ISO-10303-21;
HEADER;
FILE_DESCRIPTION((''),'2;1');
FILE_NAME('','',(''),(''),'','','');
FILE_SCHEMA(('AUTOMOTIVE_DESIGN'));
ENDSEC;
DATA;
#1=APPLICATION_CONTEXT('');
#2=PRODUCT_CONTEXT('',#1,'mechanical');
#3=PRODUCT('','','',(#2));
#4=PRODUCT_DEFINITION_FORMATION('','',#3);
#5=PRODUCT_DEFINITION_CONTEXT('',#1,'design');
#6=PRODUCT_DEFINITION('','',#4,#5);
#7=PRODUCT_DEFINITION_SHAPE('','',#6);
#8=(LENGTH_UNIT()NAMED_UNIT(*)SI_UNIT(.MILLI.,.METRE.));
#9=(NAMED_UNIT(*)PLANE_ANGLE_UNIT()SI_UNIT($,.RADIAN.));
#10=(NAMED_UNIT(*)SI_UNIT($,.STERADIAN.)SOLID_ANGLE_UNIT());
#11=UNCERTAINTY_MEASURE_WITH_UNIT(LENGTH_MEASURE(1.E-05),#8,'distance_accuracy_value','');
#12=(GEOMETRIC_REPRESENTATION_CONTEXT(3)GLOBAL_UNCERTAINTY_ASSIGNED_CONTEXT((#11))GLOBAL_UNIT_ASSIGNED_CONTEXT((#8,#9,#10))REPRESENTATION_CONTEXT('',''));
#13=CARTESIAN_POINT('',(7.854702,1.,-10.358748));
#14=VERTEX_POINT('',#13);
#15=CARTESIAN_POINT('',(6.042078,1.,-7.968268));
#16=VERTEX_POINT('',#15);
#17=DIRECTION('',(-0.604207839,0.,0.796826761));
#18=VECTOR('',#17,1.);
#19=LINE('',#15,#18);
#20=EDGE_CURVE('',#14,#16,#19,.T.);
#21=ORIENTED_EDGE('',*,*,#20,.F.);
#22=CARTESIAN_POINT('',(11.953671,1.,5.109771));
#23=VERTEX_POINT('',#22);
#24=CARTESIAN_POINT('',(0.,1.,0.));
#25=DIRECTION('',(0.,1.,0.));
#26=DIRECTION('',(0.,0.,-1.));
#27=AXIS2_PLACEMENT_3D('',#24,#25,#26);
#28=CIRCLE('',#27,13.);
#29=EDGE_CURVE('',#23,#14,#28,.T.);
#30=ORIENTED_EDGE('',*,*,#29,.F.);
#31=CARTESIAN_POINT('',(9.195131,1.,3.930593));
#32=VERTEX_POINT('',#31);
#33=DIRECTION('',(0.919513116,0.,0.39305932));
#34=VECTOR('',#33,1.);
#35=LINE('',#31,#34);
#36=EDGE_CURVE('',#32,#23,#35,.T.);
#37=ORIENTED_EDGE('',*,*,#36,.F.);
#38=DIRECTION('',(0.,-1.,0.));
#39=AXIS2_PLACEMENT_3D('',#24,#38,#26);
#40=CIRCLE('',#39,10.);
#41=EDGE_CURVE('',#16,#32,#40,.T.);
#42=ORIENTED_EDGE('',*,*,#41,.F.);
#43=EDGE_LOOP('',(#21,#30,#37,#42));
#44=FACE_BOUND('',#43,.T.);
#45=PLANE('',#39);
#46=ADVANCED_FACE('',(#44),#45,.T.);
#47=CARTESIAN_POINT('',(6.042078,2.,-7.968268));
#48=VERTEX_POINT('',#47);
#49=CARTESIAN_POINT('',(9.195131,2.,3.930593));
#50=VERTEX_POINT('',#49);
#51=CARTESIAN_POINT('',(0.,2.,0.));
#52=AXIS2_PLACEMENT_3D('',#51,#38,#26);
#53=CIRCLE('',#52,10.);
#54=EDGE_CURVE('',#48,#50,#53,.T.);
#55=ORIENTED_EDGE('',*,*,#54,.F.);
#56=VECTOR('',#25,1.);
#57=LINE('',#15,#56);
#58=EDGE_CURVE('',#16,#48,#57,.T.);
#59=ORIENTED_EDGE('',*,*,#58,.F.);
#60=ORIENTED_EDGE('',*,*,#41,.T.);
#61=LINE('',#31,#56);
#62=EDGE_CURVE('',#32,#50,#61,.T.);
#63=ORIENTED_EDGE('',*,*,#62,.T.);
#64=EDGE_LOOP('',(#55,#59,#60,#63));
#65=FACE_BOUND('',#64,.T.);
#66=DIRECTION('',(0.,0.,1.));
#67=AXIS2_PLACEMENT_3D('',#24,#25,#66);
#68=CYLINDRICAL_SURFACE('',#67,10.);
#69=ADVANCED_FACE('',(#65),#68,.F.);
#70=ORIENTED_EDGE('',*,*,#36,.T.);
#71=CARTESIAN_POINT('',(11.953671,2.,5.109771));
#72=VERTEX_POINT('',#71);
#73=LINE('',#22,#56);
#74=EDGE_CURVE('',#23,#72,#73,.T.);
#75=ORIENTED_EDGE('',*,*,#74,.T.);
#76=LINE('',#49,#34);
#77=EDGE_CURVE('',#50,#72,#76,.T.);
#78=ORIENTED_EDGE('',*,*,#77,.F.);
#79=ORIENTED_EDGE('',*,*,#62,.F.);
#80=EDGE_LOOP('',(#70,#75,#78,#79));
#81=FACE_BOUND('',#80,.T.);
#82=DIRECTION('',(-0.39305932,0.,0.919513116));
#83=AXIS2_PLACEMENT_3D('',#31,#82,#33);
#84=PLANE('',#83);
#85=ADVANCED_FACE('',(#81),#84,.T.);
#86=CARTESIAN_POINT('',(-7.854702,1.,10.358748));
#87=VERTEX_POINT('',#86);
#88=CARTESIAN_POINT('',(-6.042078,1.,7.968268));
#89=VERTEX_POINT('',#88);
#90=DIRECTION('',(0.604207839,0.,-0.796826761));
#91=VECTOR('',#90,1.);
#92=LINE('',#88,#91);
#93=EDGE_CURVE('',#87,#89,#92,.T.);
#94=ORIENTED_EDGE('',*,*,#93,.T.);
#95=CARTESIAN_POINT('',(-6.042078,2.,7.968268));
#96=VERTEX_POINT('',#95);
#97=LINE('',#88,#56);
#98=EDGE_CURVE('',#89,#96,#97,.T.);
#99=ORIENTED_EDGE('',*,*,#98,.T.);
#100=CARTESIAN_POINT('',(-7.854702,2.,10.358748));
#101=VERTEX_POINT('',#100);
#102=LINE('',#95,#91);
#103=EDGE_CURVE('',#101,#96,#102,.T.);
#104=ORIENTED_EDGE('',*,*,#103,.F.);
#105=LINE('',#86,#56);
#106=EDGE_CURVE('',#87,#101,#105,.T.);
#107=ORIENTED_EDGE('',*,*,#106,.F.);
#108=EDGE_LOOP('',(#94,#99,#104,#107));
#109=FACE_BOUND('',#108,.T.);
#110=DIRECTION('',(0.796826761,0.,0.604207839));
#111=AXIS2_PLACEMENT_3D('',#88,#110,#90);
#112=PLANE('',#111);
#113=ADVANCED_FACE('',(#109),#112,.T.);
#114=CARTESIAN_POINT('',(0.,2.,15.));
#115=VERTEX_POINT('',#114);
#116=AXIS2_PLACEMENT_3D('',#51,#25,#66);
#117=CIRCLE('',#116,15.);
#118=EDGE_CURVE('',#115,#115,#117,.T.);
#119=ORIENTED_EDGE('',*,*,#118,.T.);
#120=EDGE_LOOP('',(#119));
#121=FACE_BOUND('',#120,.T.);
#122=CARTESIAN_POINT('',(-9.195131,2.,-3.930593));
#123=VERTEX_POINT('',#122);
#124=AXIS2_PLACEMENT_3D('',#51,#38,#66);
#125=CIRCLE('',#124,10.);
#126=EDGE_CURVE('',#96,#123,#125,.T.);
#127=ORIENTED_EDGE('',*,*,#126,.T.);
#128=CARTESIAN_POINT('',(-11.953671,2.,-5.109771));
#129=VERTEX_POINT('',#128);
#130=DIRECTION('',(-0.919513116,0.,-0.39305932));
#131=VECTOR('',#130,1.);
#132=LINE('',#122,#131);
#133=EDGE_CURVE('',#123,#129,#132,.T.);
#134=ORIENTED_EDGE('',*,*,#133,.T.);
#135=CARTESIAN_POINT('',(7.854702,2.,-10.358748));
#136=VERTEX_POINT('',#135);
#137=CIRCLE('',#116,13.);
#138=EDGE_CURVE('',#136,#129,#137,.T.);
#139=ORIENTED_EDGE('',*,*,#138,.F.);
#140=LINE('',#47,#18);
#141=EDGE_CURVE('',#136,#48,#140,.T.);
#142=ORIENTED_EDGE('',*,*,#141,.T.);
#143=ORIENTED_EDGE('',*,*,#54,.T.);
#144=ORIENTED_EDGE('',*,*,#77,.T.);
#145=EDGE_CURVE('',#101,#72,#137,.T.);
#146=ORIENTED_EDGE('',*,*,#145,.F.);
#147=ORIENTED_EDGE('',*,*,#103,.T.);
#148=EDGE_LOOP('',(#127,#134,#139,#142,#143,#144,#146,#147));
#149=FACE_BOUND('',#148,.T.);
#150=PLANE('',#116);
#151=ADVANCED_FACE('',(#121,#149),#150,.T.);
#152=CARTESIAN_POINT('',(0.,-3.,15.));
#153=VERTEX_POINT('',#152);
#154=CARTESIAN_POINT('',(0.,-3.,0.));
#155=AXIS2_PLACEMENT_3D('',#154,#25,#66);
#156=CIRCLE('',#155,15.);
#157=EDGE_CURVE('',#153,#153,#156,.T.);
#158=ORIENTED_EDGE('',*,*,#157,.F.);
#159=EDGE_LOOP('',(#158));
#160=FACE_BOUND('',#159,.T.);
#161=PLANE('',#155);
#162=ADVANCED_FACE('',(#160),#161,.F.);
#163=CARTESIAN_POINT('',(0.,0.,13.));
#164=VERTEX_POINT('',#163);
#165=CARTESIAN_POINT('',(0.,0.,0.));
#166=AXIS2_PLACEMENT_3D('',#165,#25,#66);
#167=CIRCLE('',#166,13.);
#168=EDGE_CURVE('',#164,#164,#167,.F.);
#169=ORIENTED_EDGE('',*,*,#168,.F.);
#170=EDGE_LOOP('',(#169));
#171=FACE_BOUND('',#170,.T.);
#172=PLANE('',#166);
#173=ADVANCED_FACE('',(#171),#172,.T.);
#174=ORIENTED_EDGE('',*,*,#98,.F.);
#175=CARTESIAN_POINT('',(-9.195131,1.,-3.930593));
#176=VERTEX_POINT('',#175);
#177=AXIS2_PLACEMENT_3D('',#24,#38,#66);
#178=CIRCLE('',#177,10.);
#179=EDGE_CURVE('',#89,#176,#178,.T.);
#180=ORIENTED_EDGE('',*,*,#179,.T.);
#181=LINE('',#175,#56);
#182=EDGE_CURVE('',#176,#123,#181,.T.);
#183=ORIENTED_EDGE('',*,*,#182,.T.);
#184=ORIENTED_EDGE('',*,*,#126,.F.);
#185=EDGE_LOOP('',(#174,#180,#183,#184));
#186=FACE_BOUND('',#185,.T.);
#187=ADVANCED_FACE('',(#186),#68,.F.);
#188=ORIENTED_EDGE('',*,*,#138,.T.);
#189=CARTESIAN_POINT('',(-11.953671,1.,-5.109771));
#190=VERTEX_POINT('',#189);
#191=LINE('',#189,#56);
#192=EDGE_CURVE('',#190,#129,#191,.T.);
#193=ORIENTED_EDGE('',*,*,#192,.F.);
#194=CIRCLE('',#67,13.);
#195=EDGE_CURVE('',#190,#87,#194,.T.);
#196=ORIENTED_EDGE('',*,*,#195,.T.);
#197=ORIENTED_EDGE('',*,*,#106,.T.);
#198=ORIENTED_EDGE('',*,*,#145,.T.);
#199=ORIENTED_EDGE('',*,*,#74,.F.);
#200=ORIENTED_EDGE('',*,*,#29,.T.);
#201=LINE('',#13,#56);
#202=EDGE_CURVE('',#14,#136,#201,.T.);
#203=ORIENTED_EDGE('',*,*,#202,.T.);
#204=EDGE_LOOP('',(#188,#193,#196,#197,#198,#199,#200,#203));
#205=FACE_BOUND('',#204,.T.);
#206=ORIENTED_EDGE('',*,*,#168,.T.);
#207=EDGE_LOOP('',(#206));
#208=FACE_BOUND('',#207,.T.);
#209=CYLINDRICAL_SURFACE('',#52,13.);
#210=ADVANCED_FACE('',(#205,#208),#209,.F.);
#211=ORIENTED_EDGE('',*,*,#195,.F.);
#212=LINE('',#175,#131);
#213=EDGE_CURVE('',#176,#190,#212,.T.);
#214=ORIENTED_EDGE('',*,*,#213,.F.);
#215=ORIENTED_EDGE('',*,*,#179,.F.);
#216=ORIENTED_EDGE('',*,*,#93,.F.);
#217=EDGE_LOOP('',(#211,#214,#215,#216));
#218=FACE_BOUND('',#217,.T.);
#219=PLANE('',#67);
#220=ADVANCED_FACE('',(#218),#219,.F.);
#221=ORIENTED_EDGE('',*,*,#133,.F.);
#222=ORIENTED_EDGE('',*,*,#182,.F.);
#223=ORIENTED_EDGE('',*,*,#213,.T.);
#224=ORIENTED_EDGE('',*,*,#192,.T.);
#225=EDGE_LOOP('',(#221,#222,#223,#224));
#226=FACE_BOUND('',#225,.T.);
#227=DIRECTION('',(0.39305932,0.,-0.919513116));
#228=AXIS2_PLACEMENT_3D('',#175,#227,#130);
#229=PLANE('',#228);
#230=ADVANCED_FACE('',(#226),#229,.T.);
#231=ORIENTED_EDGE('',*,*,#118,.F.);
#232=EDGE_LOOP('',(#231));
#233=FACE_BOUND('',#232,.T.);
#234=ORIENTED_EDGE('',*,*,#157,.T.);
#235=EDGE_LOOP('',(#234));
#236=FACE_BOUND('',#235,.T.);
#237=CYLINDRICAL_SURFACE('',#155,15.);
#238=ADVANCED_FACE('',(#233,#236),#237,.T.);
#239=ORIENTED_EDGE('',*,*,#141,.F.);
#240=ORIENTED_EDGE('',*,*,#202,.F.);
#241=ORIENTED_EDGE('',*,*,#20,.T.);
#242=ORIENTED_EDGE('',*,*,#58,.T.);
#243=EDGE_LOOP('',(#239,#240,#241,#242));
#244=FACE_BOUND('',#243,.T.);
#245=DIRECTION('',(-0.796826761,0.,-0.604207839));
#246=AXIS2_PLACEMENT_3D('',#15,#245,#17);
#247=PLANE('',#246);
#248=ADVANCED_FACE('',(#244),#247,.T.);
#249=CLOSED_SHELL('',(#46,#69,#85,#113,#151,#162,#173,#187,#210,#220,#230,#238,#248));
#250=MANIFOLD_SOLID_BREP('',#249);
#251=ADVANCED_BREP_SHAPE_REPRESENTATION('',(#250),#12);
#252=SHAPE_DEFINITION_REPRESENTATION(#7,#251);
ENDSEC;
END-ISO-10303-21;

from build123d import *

# Parameters (mm, degrees)
SKIZZE1_R                       = 15
AUFSATZ_LINEAR_AUSTRAGEN1_DEPTH = 3
AUFSATZ_LINEAR_START            = 2
SKIZZE2_R                       = 15
SKIZZE2_R_2                     = 13
AUFSATZ_LINEAR_AUSTRAGEN2_DEPTH = 2
AUFSATZ_LINEAR_AUSTRAGEN3_DEPTH = 1


with BuildPart() as part:
    # Skizze1 → Aufsatz-Linear austragen1 (new body)
    with BuildSketch(Plane(origin=(0, 0, 0), x_dir=(1, 0, 0), z_dir=(0, 1, 0))):
        with Locations(Location((0, 0, 0), (0, 0, 270))):
            Circle(SKIZZE1_R)
    extrude(amount=-AUFSATZ_LINEAR_AUSTRAGEN1_DEPTH)

    # Skizze2 → Aufsatz-Linear austragen2 (add)
    with BuildSketch(Plane(origin=(0, 0, 0), x_dir=(1, 0, 0), z_dir=(0, 1, 0)).offset(AUFSATZ_LINEAR_START)):
        with Locations(Location((0, 0, 0), (0, 0, 270))):
            Circle(SKIZZE2_R)
        with Locations(Location((0, 0, 0), (0, 0, 270))):
            Circle(SKIZZE2_R_2, mode=Mode.SUBTRACT)
    extrude(amount=-AUFSATZ_LINEAR_AUSTRAGEN2_DEPTH)

    # Skizze3 → Aufsatz-Linear austragen3 (add)
    with BuildSketch(Plane(origin=(0, 2, 0), x_dir=(1, 0, 0), z_dir=(0, 1, 0))):
        with BuildLine():
            Line((-6.042078394, -7.968267609), (-7.854701912, -10.358747891))
            ThreePointArc((-7.854701912, -10.358747891), (-12.566291217, -3.329913671), (-11.953670509, 5.109771166))
            Line((-11.953670509, 5.109771166), (-9.195131161, 3.930593205))
            ThreePointArc((-9.195131161, 3.930593205), (-9.666377859, -2.561472055), (-6.042078394, -7.968267609))
        make_face()
        with BuildLine():
            Line((6.042078394, 7.968267609), (7.854701912, 10.358747891))
            ThreePointArc((7.854701912, 10.358747891), (12.566291217, 3.329913671), (11.953670509, -5.109771166))
            Line((11.953670509, -5.109771166), (9.195131161, -3.930593205))
            ThreePointArc((9.195131161, -3.930593205), (9.666377859, 2.561472055), (6.042078394, 7.968267609))
        make_face()
    extrude(amount=-AUFSATZ_LINEAR_AUSTRAGEN3_DEPTH)


solid = part.part
